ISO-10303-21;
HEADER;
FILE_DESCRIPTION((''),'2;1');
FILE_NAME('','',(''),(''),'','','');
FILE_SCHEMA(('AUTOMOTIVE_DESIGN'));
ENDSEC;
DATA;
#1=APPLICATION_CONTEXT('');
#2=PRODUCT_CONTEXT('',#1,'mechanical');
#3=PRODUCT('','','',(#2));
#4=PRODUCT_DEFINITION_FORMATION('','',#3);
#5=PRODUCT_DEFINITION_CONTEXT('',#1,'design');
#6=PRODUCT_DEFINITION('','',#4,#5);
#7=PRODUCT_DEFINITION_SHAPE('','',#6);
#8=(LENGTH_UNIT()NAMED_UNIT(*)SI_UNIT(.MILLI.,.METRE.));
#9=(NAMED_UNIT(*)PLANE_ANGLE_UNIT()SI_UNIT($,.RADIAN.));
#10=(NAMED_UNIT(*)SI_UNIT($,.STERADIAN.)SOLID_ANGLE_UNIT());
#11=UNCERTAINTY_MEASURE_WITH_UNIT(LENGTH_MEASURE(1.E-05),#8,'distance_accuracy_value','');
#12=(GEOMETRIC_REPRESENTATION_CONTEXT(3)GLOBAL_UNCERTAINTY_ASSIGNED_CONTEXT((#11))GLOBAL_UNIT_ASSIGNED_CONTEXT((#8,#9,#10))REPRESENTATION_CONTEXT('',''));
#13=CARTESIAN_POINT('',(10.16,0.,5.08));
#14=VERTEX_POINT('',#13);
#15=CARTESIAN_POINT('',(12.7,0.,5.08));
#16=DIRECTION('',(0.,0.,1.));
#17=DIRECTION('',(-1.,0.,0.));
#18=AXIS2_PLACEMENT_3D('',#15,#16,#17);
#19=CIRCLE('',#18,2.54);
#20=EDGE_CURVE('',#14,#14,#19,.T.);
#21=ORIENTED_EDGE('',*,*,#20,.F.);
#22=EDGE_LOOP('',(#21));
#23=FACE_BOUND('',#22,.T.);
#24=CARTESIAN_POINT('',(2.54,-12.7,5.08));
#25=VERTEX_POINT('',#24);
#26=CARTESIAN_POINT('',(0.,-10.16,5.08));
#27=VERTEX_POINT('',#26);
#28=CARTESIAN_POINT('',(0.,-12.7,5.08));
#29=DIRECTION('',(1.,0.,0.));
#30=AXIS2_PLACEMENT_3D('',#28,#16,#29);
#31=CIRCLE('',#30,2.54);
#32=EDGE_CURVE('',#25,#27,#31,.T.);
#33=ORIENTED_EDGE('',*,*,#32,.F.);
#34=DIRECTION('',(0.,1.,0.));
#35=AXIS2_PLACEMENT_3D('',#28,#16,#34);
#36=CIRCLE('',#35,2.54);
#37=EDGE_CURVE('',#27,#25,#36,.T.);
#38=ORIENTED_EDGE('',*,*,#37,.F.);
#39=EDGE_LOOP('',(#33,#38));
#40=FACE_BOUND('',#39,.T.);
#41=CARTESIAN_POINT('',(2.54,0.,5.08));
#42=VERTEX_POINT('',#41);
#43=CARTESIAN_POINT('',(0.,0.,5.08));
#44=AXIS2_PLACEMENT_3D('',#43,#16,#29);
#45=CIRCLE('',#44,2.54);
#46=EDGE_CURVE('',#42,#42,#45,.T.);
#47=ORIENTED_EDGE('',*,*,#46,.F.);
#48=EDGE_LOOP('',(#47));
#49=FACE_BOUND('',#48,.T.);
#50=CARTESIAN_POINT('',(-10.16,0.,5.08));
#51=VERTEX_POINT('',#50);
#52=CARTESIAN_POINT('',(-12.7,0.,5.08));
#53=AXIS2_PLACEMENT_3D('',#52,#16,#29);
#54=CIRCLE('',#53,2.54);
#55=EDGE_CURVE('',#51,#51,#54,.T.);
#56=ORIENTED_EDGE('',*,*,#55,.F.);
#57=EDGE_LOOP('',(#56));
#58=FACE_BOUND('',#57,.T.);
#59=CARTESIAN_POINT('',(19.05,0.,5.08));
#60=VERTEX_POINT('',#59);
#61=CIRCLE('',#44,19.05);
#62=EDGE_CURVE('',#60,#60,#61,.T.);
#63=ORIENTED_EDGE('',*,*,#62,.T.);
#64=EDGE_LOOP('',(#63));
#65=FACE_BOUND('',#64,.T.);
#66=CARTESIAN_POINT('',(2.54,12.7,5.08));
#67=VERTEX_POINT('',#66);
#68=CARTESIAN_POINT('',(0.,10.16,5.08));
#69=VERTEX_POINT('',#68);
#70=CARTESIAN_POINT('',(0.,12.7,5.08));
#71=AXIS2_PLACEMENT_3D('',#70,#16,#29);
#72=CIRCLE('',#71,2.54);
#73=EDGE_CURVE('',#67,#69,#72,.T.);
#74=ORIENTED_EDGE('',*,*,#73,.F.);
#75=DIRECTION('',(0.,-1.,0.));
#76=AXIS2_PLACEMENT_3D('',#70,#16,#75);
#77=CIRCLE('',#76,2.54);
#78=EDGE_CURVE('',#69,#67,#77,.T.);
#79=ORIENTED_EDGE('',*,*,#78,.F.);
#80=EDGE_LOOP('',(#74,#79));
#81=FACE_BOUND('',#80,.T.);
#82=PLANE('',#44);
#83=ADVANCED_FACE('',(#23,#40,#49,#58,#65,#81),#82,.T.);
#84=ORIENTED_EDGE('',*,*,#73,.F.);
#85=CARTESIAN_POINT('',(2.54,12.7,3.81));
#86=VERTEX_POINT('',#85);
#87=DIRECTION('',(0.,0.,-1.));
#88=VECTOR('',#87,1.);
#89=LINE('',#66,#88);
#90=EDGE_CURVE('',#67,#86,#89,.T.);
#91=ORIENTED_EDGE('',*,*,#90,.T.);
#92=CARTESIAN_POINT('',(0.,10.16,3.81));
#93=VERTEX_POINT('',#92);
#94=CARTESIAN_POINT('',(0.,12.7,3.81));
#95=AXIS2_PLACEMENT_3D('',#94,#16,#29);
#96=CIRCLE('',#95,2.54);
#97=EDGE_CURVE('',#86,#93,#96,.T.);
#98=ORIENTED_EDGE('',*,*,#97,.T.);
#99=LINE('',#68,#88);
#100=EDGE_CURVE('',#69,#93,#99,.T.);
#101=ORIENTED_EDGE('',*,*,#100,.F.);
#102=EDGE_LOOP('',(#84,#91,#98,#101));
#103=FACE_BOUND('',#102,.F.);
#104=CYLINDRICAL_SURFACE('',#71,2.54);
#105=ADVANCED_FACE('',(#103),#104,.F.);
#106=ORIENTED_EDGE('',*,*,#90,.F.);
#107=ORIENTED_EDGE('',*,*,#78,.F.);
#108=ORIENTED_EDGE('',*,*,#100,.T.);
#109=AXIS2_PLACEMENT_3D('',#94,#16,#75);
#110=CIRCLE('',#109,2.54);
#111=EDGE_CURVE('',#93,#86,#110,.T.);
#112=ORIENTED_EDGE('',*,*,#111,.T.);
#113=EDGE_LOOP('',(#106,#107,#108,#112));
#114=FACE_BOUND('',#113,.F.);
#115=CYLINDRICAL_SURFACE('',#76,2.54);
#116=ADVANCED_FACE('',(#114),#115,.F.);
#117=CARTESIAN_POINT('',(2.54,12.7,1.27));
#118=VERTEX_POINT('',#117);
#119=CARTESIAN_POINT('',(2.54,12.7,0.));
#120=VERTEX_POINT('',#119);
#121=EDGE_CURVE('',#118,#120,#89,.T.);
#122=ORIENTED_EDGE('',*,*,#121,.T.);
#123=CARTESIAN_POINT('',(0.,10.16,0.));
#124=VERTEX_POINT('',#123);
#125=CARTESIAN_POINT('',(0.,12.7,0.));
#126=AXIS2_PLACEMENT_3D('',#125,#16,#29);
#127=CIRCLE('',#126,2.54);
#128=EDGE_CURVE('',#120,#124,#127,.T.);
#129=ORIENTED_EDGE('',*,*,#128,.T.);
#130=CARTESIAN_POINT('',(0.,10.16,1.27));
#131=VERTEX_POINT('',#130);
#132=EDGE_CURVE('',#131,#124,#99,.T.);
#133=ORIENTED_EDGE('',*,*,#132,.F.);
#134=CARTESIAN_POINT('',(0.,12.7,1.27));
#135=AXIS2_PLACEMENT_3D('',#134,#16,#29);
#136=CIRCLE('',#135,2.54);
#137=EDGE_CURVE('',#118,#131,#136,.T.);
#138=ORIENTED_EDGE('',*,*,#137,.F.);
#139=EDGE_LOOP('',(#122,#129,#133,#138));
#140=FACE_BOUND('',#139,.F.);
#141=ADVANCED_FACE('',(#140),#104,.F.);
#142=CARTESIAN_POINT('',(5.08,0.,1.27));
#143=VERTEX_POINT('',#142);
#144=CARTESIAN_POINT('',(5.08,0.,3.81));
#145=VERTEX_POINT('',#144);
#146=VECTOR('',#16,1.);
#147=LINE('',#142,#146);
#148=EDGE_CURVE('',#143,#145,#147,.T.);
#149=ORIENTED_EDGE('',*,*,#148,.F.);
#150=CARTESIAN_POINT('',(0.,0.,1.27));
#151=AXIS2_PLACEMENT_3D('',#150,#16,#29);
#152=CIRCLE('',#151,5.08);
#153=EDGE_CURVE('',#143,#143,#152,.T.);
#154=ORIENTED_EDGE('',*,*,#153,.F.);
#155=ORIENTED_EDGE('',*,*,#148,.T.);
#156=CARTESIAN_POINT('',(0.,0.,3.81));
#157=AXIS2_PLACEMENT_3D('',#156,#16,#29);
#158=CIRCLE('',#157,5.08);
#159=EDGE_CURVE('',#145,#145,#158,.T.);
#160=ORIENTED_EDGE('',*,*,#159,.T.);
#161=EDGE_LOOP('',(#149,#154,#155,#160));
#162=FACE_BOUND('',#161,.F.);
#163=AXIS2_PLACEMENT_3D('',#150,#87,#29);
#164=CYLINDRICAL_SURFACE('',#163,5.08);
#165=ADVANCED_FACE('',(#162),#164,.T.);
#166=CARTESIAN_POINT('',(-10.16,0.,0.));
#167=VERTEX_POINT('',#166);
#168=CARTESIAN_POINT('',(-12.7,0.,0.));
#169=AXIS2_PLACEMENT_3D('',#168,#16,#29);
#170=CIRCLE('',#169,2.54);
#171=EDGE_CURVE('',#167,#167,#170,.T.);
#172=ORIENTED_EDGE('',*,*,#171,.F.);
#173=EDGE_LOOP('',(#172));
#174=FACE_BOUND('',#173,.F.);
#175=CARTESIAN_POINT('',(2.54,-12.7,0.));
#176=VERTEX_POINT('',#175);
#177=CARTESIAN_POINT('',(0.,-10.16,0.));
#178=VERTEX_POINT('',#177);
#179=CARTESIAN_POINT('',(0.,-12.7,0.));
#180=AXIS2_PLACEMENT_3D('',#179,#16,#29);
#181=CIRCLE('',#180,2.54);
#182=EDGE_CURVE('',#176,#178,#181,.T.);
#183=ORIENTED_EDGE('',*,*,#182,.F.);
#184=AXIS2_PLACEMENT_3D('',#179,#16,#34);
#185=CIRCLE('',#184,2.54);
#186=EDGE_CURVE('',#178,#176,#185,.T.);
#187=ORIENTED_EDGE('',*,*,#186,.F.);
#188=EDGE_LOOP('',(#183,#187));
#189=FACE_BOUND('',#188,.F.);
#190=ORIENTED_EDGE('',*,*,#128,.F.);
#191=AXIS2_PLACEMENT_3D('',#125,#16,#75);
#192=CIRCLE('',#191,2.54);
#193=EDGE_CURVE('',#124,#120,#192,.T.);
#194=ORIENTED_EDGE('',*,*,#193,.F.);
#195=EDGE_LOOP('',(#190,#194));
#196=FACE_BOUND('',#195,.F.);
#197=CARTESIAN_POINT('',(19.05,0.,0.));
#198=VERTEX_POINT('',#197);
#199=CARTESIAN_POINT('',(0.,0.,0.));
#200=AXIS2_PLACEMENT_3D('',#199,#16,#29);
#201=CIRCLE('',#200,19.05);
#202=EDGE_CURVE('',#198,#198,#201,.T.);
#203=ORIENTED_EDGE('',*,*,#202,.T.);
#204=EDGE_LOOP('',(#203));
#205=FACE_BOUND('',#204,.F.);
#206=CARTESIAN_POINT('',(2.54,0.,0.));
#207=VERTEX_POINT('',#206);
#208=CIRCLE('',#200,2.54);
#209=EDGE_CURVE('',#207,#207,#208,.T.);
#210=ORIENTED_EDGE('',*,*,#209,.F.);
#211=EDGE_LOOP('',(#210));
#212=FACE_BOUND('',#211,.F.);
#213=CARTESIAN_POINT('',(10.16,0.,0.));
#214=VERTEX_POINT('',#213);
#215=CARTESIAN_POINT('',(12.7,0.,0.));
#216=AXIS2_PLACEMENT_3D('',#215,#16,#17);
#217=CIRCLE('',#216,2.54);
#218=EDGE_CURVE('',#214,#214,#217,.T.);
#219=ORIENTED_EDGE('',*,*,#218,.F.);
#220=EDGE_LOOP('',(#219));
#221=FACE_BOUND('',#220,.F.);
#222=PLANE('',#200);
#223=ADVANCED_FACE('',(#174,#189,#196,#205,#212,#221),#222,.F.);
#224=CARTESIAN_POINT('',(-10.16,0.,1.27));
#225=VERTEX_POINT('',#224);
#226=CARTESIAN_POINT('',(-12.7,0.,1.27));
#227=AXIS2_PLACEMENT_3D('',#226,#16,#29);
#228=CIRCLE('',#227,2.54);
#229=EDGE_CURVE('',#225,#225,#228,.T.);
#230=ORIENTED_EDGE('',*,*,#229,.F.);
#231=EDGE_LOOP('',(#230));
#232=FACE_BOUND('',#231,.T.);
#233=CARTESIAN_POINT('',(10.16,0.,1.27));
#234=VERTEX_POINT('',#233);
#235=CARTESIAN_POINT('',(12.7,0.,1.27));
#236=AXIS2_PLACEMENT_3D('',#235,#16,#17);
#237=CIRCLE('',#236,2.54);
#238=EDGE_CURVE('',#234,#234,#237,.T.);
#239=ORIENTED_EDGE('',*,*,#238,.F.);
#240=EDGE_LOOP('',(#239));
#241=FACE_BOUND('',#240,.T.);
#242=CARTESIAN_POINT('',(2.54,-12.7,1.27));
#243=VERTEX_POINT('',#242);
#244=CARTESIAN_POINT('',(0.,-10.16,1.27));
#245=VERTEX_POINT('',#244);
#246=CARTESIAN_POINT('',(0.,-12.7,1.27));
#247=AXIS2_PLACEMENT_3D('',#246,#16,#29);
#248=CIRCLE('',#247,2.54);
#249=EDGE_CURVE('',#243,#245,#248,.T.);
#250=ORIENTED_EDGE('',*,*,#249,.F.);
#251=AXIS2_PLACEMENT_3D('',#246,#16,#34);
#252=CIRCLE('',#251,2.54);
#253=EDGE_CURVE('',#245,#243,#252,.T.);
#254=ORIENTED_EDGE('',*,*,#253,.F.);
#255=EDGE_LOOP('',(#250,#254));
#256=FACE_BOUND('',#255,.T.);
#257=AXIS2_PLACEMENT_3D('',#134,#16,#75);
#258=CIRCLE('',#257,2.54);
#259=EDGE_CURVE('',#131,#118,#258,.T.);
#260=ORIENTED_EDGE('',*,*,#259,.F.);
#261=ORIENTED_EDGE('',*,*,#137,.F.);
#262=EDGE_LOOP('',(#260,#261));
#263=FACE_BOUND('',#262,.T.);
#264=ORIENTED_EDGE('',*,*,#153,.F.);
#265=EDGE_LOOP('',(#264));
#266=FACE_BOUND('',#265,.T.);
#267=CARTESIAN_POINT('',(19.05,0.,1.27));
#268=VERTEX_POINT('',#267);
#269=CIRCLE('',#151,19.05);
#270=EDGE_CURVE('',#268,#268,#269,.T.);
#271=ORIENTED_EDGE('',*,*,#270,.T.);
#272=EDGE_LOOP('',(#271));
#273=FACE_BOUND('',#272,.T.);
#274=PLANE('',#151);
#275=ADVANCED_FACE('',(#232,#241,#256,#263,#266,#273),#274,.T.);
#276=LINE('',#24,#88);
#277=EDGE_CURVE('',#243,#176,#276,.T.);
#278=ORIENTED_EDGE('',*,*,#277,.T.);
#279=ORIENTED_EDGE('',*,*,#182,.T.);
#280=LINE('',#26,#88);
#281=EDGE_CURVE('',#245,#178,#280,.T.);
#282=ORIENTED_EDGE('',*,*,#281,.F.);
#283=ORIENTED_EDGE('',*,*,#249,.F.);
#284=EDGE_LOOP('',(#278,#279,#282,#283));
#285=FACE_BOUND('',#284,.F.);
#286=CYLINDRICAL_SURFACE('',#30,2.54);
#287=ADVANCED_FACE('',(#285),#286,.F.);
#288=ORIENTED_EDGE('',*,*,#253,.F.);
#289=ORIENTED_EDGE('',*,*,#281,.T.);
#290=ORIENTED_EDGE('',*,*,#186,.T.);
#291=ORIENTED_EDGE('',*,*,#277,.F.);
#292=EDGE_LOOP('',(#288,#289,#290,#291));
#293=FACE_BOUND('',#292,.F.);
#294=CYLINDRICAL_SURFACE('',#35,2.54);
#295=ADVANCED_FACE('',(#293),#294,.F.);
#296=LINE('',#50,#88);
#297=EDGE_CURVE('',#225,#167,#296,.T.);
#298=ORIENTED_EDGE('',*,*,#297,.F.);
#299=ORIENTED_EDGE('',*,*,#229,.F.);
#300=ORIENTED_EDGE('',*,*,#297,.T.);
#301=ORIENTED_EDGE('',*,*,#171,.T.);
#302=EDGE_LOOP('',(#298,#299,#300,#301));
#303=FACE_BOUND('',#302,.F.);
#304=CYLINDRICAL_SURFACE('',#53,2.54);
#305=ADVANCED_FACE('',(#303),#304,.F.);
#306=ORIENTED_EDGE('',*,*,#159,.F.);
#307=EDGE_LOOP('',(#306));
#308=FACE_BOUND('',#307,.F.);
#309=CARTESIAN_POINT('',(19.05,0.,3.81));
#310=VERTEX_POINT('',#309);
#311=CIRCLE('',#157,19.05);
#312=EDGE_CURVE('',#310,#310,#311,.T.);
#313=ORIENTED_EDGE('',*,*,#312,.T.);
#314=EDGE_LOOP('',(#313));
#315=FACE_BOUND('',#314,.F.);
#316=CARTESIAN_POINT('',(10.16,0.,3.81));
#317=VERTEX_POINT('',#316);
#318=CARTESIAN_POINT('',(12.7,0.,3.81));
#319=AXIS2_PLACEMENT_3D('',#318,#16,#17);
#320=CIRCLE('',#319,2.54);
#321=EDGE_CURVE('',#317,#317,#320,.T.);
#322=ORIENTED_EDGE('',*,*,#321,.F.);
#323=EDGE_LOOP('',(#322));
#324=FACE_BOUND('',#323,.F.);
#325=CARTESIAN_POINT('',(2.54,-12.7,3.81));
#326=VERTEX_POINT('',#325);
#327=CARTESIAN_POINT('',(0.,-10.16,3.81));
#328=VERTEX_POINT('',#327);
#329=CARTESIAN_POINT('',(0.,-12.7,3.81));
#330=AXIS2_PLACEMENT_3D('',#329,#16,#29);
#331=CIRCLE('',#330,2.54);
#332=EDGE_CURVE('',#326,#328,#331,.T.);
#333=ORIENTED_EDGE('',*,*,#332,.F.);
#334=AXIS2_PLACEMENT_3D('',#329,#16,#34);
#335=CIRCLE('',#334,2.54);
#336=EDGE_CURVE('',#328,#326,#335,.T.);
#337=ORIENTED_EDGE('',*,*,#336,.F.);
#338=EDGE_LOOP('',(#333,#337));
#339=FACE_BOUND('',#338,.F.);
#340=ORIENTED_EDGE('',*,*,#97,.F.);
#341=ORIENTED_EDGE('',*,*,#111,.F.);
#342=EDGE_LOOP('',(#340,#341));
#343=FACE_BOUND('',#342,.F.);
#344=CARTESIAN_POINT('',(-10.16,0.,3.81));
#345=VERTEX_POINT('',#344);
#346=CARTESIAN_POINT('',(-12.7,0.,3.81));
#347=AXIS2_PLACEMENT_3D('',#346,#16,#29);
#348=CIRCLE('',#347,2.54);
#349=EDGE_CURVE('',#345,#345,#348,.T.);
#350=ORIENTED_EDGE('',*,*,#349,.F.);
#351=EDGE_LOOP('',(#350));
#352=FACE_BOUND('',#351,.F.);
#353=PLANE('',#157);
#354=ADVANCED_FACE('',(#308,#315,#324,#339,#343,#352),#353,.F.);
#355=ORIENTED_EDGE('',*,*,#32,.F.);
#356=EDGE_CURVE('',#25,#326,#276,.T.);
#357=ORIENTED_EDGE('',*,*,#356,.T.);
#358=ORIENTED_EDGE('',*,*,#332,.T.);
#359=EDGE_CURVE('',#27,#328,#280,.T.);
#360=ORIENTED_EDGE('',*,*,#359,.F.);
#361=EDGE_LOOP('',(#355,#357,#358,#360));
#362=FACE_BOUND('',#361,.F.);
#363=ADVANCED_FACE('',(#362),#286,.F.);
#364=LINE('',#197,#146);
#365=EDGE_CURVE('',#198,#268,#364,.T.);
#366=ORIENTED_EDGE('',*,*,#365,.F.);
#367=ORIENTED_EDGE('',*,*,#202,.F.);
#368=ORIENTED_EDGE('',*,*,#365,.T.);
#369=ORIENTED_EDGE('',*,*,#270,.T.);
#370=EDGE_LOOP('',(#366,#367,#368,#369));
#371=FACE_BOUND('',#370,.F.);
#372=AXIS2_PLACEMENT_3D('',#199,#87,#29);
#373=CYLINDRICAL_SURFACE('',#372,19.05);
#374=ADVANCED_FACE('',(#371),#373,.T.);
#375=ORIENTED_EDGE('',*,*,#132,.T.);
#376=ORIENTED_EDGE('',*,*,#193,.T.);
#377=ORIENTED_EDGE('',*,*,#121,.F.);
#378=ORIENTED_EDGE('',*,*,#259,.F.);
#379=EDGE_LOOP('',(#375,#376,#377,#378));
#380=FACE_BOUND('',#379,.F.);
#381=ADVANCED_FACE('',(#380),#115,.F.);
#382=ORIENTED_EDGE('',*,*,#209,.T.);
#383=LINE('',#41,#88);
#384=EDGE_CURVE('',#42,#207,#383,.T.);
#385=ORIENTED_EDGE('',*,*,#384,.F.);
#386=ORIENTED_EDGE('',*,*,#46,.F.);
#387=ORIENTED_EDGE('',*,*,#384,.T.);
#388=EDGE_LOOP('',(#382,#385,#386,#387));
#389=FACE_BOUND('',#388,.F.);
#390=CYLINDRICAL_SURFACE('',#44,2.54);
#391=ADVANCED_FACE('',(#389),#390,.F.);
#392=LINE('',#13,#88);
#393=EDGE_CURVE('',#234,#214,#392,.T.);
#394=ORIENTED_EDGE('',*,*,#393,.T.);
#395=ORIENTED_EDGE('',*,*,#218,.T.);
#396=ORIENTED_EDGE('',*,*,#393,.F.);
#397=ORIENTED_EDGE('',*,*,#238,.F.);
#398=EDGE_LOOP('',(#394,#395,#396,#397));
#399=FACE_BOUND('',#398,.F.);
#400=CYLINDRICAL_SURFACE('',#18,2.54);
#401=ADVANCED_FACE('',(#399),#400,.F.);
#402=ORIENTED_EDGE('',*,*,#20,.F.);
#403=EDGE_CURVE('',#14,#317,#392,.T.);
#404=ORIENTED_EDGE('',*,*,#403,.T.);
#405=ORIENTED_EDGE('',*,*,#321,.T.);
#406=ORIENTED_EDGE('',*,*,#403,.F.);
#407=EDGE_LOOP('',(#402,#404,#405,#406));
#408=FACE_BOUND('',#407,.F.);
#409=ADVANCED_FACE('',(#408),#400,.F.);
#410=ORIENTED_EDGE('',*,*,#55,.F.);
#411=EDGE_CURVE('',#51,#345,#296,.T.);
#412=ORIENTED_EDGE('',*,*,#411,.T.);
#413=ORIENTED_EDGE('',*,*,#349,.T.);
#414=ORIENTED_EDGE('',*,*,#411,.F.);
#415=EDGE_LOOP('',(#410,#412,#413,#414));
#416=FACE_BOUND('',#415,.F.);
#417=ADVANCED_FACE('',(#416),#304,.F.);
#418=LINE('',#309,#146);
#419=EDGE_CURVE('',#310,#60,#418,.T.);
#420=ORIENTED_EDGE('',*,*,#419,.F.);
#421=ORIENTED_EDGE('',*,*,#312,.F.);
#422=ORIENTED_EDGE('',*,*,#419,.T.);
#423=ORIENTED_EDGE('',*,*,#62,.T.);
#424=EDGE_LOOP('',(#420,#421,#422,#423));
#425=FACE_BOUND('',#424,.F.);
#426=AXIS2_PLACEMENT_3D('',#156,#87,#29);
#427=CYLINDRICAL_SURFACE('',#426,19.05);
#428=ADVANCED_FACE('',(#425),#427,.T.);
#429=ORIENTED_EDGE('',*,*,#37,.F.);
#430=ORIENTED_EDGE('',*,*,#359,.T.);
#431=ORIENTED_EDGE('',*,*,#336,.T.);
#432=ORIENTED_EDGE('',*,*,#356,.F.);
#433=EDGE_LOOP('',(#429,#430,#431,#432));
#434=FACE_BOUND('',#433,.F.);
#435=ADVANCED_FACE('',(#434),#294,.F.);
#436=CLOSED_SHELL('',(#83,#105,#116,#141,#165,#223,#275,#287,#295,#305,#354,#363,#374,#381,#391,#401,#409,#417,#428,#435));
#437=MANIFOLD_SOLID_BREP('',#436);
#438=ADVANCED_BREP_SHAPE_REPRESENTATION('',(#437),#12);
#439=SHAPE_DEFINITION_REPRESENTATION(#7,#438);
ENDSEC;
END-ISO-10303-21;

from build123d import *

# Parameters (mm, degrees)
F0_R     = 19.05
F1_DEPTH = 1.27
F2_R     = 5.08
F3_DEPTH = 2.54
F4_R     = 19.05
F4_R_2   = 5.08
F5_DEPTH = 1.27
F6_R     = 2.54
F7_DEPTH = 25.4
F8_R     = 2.54
F9_DEPTH = 25.4


with BuildPart() as f1:
    # F0 (on Top) → F1 (new body)
    with BuildSketch(Plane.XY):
        Circle(F0_R)
    extrude(amount=F1_DEPTH)

    # F2 (on face) → F3 (join)
    with BuildSketch(Plane.XY.offset(1.27)):
        Circle(F2_R)
    extrude(amount=F3_DEPTH)

    # F4 (on face) → F5 (join)
    with BuildSketch(Plane.XY.offset(3.81)):
        Circle(F4_R)
        Circle(F4_R_2, mode=Mode.SUBTRACT)
        Circle(F4_R_2)
    extrude(amount=F5_DEPTH)

    # F6 (on face) → F7 (cut)
    with BuildSketch(Plane.XY.offset(5.08)):
        Circle(F6_R)
    extrude(amount=-F7_DEPTH, mode=Mode.SUBTRACT)

    # F8 (on face) → F9 (cut)
    with BuildSketch(Plane.XY.offset(5.08)):
        with BuildLine():
            ThreePointArc((0, 10.16), (1.7960512242, 10.9039487758), (2.54, 12.7))
            ThreePointArc((2.54, 12.7), (-1.7960512242, 14.4960512242), (0, 10.16))
        make_face()
        with BuildLine():
            ThreePointArc((15.24, 0), (12.7, 2.54), (10.16, 0))
            ThreePointArc((10.16, 0), (12.7, -2.54), (15.24, 0))
        make_face()
        with BuildLine():
            ThreePointArc((2.54, -12.7), (1.7960512242, -10.9039487758), (0, -10.16))
            ThreePointArc((0, -10.16), (-1.7960512242, -14.4960512242), (2.54, -12.7))
        make_face()
        with Locations((-12.7, 0)):
            Circle(F8_R)
    extrude(amount=-F9_DEPTH, mode=Mode.SUBTRACT)


solid = f1.part
